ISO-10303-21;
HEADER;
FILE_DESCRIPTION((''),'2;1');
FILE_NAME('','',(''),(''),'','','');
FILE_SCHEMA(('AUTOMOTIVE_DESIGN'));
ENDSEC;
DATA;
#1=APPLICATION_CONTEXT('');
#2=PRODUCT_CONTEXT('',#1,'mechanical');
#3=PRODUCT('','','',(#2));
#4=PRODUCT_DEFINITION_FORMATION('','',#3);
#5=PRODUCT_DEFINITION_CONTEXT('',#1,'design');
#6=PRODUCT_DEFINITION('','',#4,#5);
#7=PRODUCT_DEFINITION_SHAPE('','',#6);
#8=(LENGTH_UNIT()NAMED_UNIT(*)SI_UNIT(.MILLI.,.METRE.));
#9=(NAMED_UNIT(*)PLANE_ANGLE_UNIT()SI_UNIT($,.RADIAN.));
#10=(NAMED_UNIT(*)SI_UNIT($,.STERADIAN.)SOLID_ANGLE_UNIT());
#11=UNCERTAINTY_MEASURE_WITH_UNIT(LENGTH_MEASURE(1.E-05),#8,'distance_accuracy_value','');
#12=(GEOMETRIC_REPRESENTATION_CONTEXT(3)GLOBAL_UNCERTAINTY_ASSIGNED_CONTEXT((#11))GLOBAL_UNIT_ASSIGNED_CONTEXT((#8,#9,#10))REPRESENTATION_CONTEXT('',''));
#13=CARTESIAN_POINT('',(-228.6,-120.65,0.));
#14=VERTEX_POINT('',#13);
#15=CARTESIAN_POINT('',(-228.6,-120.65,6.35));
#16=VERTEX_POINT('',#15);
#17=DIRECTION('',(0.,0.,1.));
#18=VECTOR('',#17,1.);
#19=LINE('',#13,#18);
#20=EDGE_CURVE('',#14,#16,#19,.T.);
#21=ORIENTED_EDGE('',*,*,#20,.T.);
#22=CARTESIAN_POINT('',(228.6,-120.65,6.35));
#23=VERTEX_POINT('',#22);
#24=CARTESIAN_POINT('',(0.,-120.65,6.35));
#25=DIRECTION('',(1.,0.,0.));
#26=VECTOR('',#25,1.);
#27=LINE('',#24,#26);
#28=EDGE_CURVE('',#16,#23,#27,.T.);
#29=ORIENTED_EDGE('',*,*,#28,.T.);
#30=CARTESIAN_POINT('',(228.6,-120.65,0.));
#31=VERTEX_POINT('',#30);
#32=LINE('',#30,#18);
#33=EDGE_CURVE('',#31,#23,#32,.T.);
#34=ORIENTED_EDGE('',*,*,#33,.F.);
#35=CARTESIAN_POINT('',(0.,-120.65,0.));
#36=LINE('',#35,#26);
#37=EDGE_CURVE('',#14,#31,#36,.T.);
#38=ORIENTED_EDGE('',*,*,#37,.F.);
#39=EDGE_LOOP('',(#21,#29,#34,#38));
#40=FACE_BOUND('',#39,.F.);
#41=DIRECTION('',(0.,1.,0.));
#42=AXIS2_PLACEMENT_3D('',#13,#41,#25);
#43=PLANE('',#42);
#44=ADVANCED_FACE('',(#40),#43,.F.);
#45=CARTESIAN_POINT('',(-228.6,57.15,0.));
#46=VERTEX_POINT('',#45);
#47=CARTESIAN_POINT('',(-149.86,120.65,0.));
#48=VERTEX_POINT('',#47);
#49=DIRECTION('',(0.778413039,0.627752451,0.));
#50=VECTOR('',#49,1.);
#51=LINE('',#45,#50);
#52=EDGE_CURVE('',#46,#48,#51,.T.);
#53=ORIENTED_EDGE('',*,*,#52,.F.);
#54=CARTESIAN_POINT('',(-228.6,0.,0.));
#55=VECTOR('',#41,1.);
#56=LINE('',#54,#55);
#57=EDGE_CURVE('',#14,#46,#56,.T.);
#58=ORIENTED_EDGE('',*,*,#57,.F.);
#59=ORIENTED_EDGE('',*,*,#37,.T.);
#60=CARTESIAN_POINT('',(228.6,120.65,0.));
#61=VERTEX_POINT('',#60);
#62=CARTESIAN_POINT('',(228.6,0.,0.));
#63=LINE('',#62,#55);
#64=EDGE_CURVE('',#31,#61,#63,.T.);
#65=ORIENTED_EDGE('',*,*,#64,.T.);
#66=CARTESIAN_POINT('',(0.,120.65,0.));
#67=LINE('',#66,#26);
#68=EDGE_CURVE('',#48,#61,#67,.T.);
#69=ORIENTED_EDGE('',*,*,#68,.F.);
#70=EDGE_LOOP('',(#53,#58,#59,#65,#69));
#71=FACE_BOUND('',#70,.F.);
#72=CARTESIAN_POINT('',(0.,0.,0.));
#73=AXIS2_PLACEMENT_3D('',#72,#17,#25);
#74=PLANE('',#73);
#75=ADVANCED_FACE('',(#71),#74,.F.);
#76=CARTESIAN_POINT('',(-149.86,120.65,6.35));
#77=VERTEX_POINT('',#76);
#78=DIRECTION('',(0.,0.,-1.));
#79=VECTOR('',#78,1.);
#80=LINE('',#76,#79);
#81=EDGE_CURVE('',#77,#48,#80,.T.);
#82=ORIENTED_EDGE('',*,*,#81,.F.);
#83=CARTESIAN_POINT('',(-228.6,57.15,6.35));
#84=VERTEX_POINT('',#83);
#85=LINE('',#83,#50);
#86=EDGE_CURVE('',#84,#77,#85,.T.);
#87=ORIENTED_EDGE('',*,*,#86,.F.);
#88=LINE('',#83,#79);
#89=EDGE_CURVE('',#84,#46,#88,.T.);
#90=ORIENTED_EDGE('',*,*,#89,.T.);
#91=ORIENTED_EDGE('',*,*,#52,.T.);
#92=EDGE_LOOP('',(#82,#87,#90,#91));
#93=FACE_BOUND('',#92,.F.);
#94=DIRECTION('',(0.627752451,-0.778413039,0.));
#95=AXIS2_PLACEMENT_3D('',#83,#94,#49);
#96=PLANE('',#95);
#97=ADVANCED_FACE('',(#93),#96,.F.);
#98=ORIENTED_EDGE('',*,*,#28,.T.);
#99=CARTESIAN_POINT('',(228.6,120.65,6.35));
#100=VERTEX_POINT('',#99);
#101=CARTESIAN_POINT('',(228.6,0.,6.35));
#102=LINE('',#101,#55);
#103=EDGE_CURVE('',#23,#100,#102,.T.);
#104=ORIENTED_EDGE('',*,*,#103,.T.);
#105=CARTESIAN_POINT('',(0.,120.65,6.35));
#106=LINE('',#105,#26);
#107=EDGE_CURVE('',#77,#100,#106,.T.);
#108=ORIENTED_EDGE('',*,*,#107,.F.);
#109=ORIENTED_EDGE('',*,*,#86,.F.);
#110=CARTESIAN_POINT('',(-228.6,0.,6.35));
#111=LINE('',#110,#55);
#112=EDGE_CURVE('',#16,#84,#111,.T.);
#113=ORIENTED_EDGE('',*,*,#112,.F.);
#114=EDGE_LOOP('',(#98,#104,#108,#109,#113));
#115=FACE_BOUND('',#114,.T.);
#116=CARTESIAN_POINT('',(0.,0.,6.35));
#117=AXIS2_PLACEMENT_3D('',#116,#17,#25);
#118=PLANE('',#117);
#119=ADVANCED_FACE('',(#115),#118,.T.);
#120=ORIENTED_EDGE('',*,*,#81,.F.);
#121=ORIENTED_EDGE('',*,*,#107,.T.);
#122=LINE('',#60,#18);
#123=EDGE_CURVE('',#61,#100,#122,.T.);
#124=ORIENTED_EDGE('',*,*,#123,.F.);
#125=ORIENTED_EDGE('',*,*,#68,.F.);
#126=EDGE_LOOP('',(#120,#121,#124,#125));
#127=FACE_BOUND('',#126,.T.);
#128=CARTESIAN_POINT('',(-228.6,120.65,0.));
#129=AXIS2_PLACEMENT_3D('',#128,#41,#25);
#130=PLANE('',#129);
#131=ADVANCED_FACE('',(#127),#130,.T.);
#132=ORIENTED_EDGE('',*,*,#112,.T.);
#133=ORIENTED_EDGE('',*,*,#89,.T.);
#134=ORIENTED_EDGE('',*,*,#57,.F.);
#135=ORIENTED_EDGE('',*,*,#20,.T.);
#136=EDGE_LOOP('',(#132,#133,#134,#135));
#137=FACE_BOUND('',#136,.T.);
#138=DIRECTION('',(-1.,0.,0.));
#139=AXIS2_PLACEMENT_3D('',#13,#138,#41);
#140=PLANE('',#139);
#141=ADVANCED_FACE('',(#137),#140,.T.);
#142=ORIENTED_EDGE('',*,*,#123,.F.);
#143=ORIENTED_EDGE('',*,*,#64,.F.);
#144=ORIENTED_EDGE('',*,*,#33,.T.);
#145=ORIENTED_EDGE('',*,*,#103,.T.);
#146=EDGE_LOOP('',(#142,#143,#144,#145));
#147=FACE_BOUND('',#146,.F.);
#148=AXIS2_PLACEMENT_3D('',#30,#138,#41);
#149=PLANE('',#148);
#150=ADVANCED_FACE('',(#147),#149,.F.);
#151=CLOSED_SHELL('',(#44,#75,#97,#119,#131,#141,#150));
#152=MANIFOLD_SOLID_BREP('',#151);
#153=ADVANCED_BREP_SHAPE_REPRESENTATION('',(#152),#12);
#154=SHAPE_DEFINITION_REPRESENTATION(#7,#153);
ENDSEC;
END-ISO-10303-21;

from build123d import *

# Parameters (mm, degrees)
F0_W     = 457.2
F0_H     = 241.3
F1_DEPTH = 6.35
F3_DEPTH = 6.35


with BuildPart() as f1:
    # F0 (on Top) → F1 (new body)
    with BuildSketch(Plane.XY):
        Rectangle(F0_W, F0_H)
    extrude(amount=F1_DEPTH)

    # F2 (on face) → F3 (cut)
    with BuildSketch(Plane.XY.offset(6.35)):
        Polygon((-228.6, 120.65), (-228.6, 57.15), (-149.86, 120.65), align=None)
    extrude(amount=-F3_DEPTH, mode=Mode.SUBTRACT)


solid = f1.part
